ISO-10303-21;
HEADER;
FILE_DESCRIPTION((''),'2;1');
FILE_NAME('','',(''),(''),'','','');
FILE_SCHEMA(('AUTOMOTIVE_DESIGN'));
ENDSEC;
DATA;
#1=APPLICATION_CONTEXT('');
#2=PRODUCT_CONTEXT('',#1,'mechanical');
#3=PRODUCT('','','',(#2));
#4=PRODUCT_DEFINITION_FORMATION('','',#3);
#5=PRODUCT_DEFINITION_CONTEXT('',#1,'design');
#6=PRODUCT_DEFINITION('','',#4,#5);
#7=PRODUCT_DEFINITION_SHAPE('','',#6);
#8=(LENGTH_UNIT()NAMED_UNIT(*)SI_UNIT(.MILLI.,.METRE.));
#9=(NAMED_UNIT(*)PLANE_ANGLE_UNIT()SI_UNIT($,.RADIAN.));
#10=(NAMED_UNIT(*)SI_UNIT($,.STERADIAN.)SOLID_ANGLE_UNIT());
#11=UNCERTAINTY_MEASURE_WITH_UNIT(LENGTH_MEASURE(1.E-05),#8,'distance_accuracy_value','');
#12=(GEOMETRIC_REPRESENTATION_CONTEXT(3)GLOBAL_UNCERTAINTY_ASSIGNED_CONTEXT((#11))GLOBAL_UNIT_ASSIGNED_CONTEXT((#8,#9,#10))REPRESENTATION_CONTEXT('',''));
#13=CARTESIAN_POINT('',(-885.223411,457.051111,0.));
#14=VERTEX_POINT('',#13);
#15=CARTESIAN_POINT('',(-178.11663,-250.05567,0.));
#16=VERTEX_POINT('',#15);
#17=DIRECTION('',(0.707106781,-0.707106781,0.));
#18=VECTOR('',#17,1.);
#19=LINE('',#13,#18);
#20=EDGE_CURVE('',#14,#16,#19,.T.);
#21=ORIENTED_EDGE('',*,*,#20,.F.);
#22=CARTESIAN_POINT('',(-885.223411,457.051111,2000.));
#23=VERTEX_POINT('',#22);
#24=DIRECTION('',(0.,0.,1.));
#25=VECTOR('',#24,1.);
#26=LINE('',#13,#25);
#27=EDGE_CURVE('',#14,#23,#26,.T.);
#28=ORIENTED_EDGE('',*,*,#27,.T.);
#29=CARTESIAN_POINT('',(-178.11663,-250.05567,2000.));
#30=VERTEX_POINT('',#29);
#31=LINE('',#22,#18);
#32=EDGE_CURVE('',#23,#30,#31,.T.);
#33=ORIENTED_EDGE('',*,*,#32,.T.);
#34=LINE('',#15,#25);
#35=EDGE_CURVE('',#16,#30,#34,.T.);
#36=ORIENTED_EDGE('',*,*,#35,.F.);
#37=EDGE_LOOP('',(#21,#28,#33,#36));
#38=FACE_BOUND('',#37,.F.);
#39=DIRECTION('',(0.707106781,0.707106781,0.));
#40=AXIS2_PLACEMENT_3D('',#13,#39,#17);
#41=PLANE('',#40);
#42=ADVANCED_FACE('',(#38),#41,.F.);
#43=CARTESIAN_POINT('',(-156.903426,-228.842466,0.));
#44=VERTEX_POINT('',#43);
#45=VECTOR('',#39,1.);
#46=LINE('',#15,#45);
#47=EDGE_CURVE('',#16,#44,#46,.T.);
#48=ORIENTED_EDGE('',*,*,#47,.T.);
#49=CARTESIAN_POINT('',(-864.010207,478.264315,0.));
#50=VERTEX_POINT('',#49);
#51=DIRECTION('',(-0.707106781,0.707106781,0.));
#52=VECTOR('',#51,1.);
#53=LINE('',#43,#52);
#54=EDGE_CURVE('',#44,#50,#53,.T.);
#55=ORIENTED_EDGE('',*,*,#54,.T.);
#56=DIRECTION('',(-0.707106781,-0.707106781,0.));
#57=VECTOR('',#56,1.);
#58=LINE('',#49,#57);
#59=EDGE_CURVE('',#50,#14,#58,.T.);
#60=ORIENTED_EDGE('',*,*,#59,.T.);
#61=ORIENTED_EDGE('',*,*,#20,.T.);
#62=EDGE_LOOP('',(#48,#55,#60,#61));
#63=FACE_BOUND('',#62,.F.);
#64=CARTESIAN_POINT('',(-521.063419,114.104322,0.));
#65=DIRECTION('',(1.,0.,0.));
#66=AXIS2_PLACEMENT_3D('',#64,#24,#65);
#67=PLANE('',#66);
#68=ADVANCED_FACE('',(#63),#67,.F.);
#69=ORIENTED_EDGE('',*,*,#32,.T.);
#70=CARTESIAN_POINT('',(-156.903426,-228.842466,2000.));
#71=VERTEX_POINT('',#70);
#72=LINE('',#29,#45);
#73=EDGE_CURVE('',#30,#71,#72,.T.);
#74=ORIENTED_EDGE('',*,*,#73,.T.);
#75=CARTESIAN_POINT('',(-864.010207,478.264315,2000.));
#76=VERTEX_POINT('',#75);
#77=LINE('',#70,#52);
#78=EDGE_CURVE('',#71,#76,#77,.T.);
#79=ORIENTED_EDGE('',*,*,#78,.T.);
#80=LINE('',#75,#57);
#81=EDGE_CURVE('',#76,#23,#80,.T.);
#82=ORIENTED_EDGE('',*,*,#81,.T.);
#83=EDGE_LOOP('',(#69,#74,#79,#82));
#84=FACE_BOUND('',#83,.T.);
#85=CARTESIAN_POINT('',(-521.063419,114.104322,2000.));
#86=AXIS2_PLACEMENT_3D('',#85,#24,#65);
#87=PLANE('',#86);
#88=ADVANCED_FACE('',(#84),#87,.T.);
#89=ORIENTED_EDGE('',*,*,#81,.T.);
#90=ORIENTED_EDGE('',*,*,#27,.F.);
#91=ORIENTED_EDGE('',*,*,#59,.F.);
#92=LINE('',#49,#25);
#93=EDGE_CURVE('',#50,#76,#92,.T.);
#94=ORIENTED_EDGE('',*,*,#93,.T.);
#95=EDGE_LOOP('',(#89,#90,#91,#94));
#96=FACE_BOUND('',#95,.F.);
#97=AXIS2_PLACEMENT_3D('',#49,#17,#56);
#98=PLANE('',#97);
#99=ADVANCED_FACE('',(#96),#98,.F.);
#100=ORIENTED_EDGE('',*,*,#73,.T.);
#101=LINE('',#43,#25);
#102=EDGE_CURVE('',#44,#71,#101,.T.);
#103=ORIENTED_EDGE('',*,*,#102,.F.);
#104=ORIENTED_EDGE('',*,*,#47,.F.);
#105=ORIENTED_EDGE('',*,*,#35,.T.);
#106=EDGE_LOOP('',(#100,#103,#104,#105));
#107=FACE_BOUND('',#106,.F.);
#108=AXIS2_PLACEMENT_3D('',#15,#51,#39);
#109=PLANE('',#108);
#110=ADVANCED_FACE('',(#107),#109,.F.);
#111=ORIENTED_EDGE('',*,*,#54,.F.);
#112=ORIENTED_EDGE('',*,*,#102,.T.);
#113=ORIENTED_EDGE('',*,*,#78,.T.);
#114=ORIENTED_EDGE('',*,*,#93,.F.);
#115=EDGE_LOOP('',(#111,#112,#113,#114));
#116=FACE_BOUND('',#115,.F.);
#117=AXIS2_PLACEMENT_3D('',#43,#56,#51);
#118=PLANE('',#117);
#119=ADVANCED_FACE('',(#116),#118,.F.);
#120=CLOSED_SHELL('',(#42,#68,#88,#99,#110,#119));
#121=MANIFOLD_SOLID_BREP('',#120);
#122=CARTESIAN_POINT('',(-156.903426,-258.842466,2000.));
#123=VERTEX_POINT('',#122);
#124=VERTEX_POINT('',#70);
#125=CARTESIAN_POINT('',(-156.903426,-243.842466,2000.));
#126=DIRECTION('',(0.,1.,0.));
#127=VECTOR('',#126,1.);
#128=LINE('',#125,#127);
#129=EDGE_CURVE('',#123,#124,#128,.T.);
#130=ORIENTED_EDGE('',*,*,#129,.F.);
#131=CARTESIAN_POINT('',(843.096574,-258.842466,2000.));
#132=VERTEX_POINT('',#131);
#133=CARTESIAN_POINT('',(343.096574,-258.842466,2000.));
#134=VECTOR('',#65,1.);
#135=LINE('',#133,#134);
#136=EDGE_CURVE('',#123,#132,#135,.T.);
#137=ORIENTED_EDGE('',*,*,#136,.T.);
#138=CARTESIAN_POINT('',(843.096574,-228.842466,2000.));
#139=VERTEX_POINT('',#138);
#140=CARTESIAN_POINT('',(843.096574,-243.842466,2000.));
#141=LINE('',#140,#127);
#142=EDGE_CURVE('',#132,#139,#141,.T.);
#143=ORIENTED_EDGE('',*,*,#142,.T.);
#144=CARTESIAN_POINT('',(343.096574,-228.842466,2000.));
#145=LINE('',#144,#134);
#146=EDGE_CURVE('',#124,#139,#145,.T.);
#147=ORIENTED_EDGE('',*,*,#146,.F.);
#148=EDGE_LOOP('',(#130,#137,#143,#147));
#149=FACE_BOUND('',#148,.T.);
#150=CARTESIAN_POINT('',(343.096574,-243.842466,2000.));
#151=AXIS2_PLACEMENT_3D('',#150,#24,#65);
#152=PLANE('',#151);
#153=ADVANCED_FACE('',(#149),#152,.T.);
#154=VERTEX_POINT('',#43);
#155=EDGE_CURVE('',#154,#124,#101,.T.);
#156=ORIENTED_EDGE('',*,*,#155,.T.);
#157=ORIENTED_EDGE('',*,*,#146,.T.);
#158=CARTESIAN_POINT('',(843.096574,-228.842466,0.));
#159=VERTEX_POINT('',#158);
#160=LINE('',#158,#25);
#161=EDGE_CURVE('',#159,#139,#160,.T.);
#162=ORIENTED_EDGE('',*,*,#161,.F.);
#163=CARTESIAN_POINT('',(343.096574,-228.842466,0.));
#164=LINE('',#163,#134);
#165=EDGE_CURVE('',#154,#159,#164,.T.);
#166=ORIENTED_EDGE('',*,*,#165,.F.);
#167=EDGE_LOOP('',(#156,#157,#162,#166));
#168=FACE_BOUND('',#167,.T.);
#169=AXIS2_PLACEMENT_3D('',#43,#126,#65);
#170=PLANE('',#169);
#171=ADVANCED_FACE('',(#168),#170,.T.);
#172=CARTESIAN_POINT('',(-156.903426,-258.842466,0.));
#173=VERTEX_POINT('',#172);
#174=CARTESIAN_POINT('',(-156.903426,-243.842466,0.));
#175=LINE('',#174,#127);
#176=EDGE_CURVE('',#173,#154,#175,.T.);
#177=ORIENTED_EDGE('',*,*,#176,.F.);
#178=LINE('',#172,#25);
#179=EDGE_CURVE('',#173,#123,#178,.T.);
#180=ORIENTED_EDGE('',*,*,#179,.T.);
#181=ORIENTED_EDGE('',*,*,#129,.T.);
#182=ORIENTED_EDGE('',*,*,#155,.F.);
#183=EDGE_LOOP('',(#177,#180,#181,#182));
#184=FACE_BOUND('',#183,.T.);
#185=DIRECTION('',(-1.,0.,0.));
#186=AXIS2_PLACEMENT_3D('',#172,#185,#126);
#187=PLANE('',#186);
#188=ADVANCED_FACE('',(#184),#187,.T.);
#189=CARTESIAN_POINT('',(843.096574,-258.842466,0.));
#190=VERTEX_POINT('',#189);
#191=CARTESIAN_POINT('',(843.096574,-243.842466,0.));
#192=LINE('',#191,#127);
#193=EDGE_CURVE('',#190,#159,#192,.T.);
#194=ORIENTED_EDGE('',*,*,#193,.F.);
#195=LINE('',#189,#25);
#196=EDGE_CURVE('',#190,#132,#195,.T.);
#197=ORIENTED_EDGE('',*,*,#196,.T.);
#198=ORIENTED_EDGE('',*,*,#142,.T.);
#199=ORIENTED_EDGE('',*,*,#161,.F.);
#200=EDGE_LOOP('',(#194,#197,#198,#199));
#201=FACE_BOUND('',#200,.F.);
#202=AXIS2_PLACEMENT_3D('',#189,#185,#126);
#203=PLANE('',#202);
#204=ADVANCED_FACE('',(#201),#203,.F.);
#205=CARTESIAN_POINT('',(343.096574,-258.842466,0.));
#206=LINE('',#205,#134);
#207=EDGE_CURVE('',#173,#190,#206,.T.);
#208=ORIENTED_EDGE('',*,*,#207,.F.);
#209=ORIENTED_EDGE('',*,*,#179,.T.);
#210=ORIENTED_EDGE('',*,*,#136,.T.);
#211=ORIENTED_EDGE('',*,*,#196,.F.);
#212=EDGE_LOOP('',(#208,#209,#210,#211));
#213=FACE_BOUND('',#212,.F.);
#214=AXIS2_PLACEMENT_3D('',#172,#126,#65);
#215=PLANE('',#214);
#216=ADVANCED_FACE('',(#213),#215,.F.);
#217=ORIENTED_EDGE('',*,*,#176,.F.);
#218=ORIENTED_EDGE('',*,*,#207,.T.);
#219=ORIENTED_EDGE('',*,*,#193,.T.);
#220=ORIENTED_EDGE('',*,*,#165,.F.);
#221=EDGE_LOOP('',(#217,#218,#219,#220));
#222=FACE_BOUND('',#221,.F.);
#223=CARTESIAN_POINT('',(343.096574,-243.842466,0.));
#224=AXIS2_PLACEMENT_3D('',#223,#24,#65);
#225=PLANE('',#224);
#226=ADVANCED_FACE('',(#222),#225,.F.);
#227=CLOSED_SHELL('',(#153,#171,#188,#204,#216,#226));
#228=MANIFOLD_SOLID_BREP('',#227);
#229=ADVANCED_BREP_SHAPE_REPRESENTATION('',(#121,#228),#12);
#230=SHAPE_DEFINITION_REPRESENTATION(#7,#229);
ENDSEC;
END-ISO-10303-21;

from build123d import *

# Parameters (mm, degrees)
F0_W     = 1000
F0_H     = 30
F1_DEPTH = 2000


with BuildPart() as f1:
    # F0 (on Top) → F1 (new body)
    with BuildSketch(Plane.XY):
        with Locations((343.096574, -243.842466)):
            Rectangle(F0_W, F0_H)
        Polygon((-178.11663, -250.05567), (-156.903426, -228.842466), (-864.010207, 478.264315), (-885.223411, 457.051111), align=None)
    extrude(amount=F1_DEPTH)


solid = f1.part
